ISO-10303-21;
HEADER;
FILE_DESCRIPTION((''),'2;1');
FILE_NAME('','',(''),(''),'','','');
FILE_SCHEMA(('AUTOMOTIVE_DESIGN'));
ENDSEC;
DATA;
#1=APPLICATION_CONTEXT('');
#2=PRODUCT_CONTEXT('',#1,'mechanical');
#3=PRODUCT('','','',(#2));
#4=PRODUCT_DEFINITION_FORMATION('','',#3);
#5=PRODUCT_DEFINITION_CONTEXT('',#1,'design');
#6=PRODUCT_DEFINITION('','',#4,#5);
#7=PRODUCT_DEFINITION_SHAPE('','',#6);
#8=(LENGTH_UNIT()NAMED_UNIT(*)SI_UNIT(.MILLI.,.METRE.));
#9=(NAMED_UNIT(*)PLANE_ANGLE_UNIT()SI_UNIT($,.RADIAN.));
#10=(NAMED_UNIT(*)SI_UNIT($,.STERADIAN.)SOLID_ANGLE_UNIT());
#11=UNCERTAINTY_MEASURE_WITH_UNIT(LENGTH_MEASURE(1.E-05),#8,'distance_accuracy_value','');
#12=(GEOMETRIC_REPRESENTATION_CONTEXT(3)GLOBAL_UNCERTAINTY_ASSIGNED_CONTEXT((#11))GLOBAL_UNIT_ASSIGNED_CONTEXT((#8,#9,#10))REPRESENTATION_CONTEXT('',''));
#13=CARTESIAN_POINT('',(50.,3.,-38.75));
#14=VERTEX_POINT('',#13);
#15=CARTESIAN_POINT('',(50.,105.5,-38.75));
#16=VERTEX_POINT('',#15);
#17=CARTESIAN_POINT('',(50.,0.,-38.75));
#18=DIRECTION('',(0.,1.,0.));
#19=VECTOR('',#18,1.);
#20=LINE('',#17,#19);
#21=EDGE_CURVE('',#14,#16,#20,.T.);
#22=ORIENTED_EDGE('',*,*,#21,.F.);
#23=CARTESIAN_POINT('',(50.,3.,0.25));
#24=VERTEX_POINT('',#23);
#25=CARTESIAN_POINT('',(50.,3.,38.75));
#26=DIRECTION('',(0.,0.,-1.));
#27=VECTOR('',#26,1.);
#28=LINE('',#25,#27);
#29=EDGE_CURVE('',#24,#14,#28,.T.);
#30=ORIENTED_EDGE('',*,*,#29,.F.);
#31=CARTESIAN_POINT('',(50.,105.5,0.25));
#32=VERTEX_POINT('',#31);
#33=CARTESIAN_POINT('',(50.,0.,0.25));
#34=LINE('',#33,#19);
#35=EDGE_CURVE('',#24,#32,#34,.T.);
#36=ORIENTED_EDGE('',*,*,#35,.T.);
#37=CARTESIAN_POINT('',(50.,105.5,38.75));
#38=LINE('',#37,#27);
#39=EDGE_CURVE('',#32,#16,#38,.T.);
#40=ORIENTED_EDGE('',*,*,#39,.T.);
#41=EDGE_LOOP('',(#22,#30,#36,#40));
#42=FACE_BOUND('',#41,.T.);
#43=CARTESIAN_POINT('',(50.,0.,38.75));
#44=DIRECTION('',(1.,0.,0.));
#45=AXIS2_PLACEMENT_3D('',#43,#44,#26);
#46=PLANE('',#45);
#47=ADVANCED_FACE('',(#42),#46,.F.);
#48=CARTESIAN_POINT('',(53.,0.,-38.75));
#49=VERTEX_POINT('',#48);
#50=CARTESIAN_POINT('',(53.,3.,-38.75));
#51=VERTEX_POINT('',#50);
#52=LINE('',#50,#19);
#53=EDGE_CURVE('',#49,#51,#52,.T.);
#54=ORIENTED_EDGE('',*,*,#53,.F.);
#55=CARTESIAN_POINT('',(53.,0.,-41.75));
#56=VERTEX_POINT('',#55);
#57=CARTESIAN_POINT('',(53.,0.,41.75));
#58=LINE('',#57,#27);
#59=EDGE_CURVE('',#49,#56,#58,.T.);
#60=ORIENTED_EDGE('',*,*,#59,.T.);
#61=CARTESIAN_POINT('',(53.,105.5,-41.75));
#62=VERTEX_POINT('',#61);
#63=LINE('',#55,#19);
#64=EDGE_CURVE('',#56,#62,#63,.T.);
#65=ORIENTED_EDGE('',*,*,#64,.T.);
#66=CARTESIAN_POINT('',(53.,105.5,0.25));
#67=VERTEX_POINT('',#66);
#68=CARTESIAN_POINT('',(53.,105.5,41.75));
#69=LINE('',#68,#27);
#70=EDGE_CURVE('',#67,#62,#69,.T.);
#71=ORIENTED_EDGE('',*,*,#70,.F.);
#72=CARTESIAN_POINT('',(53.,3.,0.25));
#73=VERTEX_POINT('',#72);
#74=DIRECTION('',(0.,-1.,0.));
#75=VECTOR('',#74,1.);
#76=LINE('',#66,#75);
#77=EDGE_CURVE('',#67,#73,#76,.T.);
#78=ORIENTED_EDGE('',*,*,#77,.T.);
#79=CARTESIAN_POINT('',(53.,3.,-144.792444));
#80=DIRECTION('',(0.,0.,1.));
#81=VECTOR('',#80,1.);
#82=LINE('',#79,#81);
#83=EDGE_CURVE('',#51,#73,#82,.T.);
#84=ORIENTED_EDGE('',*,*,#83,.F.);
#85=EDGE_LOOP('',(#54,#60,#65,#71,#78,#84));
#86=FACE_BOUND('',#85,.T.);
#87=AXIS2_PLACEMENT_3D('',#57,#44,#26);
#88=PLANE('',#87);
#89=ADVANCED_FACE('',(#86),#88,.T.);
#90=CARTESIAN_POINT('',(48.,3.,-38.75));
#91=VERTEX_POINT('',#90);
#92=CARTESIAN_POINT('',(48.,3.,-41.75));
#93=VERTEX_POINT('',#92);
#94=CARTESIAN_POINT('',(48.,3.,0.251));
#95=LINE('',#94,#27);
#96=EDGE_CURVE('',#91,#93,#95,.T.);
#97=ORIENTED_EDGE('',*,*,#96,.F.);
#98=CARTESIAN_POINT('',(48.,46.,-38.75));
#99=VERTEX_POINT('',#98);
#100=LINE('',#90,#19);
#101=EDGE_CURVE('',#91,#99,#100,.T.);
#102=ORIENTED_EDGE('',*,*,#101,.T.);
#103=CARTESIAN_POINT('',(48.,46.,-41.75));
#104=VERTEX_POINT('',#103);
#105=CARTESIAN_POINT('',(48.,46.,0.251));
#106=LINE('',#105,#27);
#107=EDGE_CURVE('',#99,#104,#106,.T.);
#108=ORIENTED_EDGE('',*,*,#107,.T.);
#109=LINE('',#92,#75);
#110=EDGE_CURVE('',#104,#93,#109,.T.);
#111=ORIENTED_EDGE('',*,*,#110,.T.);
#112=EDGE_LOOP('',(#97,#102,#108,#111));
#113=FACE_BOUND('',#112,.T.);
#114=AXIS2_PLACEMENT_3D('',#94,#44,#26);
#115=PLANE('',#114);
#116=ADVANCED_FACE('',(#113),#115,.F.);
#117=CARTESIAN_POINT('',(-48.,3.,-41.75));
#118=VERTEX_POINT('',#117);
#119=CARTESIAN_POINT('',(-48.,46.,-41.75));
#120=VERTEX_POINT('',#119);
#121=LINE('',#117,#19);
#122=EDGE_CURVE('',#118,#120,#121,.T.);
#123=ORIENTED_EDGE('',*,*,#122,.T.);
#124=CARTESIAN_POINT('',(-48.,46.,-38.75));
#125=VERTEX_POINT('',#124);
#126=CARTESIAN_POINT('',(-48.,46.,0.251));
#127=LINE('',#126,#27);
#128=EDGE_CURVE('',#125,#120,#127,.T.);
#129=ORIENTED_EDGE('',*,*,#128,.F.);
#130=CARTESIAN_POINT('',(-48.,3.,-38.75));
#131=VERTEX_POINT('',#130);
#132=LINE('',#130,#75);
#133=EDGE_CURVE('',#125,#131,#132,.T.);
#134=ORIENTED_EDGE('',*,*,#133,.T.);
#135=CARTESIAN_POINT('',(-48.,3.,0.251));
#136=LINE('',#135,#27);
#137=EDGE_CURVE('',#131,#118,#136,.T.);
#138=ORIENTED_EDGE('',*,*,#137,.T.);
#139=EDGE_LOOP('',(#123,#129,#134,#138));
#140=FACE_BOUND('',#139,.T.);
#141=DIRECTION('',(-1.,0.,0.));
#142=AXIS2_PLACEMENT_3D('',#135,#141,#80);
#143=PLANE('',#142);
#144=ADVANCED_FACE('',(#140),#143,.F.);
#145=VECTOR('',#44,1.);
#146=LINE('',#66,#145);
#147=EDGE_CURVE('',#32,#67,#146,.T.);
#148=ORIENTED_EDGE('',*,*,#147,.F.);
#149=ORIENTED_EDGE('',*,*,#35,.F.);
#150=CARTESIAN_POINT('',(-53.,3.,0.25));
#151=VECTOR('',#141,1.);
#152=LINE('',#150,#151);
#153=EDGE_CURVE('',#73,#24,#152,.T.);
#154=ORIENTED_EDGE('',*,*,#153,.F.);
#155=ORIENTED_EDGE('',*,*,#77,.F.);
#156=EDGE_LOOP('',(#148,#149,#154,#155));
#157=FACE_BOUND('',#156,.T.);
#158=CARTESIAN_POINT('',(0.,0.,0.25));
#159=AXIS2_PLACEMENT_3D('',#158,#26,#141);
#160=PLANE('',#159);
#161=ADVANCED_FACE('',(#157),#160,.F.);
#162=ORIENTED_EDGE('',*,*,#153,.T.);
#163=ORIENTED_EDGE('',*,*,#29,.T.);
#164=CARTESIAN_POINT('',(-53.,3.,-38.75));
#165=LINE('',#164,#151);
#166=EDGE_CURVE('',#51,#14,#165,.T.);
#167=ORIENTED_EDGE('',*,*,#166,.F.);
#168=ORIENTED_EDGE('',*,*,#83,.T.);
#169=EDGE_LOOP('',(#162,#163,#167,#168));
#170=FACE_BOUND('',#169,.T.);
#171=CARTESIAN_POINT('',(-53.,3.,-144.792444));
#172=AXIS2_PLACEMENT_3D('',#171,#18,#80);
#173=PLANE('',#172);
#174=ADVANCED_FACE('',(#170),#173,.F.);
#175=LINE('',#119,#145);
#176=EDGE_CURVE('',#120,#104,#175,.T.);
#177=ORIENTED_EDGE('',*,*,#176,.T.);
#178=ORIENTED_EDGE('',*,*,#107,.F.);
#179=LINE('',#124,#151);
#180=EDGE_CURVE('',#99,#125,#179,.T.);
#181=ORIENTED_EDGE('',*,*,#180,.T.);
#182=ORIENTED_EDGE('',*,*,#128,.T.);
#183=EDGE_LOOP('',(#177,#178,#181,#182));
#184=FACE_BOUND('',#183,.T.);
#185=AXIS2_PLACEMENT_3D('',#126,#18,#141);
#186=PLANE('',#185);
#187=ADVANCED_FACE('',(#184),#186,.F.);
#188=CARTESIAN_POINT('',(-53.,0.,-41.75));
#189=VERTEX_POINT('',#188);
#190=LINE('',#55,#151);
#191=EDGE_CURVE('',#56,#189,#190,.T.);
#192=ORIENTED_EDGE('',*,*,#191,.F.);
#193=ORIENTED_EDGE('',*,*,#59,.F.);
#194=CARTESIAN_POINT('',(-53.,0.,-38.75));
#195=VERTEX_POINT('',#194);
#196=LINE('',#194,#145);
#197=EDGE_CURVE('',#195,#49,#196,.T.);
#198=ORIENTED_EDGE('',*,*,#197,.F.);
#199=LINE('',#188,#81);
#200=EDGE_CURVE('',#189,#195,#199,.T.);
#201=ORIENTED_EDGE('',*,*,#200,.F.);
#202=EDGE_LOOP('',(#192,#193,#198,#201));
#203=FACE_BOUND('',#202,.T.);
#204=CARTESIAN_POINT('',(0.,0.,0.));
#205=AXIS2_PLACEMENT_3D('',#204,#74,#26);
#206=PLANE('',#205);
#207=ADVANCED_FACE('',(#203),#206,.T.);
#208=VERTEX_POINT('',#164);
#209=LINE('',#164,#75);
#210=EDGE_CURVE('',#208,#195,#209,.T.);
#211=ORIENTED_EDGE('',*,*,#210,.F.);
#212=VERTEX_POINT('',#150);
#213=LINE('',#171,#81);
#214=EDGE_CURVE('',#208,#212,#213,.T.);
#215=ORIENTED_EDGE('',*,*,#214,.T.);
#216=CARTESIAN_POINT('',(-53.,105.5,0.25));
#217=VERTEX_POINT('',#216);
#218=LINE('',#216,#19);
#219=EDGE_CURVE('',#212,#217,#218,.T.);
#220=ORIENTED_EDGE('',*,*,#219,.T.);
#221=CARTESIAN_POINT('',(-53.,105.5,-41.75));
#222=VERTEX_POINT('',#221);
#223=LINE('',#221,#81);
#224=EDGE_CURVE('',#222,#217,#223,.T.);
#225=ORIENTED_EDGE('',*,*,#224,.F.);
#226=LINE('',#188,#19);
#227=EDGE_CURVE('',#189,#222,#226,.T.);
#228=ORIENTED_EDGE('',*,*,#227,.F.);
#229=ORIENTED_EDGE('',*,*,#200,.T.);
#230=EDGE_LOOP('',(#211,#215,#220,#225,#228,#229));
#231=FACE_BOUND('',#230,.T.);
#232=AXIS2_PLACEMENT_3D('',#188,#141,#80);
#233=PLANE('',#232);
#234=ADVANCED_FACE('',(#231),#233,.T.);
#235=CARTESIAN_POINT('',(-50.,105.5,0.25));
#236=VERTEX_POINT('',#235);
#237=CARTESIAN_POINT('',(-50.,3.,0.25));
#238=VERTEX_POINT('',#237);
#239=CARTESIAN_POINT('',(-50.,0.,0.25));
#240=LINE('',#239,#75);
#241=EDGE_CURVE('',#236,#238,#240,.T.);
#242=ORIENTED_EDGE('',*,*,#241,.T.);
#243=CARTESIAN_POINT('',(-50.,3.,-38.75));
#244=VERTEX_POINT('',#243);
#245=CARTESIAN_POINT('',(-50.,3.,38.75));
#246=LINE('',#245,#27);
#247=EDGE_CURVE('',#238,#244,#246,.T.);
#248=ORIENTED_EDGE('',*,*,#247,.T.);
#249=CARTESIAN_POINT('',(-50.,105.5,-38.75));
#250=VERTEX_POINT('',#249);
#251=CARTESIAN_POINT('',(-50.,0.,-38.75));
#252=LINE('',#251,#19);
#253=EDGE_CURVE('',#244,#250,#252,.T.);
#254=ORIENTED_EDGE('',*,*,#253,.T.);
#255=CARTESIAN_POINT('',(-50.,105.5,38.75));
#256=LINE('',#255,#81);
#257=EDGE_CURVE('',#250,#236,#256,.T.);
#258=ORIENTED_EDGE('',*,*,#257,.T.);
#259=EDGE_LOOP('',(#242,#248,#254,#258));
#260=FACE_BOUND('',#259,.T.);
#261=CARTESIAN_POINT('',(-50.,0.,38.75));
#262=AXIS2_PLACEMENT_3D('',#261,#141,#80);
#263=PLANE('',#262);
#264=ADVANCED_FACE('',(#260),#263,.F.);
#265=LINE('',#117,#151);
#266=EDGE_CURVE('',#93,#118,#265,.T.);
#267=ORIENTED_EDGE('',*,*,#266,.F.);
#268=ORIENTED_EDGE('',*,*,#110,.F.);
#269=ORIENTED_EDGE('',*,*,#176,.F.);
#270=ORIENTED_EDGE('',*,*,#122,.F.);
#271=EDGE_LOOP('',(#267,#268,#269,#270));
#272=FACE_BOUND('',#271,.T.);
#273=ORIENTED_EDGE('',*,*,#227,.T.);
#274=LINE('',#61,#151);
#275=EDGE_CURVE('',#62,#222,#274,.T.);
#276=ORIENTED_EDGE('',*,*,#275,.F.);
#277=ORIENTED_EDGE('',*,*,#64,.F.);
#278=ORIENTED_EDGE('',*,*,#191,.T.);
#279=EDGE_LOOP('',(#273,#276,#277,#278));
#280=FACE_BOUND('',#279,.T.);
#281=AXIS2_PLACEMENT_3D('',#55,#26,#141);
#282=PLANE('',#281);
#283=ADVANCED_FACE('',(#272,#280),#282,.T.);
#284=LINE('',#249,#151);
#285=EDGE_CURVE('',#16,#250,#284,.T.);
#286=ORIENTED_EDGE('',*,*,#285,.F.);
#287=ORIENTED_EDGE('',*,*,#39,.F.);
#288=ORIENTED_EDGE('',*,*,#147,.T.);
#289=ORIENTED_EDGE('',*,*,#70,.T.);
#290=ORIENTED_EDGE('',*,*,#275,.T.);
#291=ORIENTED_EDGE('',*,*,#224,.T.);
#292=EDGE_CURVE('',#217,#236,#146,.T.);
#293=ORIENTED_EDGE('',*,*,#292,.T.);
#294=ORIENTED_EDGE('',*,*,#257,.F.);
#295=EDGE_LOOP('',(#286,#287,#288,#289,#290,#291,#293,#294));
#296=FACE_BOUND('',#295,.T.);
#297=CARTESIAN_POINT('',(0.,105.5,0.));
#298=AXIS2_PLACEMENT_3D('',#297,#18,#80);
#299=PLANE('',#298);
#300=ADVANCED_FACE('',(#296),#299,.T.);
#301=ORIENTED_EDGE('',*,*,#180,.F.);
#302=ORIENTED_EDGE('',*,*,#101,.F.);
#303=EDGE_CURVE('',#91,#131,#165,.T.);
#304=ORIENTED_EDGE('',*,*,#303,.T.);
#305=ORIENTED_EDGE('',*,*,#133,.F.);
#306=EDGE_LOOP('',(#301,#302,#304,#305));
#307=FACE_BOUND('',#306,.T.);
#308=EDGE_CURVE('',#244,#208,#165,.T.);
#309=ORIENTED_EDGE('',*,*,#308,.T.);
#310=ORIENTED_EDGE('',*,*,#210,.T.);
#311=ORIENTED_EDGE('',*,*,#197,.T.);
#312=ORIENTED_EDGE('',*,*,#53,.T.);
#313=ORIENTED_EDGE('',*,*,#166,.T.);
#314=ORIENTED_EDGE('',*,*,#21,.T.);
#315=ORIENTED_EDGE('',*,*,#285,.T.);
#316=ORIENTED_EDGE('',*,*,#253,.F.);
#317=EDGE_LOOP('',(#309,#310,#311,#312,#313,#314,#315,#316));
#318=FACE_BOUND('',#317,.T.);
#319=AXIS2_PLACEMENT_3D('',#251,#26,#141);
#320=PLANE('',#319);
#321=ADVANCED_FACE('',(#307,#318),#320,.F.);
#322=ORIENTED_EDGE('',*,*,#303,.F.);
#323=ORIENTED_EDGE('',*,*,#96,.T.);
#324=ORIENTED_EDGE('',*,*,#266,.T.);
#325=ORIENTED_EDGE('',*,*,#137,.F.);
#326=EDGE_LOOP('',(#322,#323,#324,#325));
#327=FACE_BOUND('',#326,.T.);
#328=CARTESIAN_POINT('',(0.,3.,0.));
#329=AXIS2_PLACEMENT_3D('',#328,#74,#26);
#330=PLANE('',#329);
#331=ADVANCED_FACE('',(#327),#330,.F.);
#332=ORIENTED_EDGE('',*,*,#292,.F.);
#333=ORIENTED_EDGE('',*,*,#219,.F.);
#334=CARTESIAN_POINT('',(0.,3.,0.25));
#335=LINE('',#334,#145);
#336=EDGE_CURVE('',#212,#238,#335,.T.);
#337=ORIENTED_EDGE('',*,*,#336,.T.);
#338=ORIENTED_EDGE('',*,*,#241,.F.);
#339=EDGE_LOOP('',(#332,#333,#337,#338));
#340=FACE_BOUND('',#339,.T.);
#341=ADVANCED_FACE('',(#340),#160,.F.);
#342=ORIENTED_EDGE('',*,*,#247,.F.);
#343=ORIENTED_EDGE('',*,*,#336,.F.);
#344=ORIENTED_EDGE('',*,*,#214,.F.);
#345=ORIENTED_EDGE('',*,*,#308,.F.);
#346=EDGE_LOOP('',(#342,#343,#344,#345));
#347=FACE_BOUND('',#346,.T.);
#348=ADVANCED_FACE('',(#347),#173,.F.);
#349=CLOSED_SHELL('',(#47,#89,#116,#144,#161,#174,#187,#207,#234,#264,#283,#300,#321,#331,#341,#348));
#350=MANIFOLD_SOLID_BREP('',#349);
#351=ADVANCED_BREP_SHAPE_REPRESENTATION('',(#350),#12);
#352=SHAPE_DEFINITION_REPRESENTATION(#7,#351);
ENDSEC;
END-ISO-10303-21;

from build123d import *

# Parameters (mm, degrees)
SKETCH1_W                = 100
SKETCH1_H                = 77.5
BOSS_EXTRUDE1_DEPTH      = 3
BOSS_EXTRUDE2_DEPTH      = 102.5
BOSS_EXTRUDE2_DEPTH_BACK = 3
SKETCH2_W                = 106
SKETCH2_H                = 83.5
SKETCH2_W_2              = 100
SKETCH2_H_2              = 77.5
SKETCH3_W                = 106
SKETCH3_H                = 105.5
CUT_EXTRUDE1_DEPTH       = 41.5
CUT_EXTRUDE3_REACH       = 127.313
SKETCH6_W                = 96
SKETCH6_H                = 43
SKETCH7_W                = 106
SKETCH7_H                = 3
CUT_EXTRUDE4_DEPTH       = 39


with BuildPart() as part:
    # Sketch1 → Boss-Extrude1 (new body)
    with BuildSketch(Plane(origin=(0, 0, 0), x_dir=(1, 0, 0), z_dir=(0, 1, 0))):
        Rectangle(SKETCH1_W, SKETCH1_H)
    extrude(amount=BOSS_EXTRUDE1_DEPTH)

    # Sketch2 → Boss-Extrude2 (add, two sides: drawn at the far end of the back side and taken through both)
    with BuildSketch(Plane(origin=(0, 3, 0), x_dir=(1, 0, 0), z_dir=(0, 1, 0)).offset(-BOSS_EXTRUDE2_DEPTH_BACK)):
        Rectangle(SKETCH2_W, SKETCH2_H)
        Rectangle(SKETCH2_W_2, SKETCH2_H_2, mode=Mode.SUBTRACT)
    extrude(amount=BOSS_EXTRUDE2_DEPTH + BOSS_EXTRUDE2_DEPTH_BACK)

    # Sketch3 → Cut-Extrude1 (cut)
    with BuildSketch(Plane(origin=(0, 0, 41.75), x_dir=(-1, 0, 0), z_dir=(0, 0, -1))):
        with Locations((0, 52.75)):
            Rectangle(SKETCH3_W, SKETCH3_H)
    extrude(amount=CUT_EXTRUDE1_DEPTH, mode=Mode.SUBTRACT)

    # Sketch6 → Cut-Extrude3 (cut, up to next)
    with BuildSketch(Plane(origin=(0, 0, -41.75), x_dir=(-1, 0, 0), z_dir=(0, 0, -1)), mode=Mode.PRIVATE) as cut_extrude3_sk1:
        with Locations((0, 24.5)):
            Rectangle(SKETCH6_W, SKETCH6_H)
    cut_extrude3_tool1 = extrude(cut_extrude3_sk1.sketch, amount=-CUT_EXTRUDE3_REACH, mode=Mode.PRIVATE) & part.part
    add(cut_extrude3_tool1.solids().sort_by_distance((0, 24.5, -41.75))[0], mode=Mode.SUBTRACT)

    # Sketch7 → Cut-Extrude4 (cut)
    with BuildSketch(Plane.XY.offset(0.25)):
        with Locations((0, 1.5)):
            Rectangle(SKETCH7_W, SKETCH7_H)
    extrude(amount=-CUT_EXTRUDE4_DEPTH, mode=Mode.SUBTRACT)


solid = part.part
